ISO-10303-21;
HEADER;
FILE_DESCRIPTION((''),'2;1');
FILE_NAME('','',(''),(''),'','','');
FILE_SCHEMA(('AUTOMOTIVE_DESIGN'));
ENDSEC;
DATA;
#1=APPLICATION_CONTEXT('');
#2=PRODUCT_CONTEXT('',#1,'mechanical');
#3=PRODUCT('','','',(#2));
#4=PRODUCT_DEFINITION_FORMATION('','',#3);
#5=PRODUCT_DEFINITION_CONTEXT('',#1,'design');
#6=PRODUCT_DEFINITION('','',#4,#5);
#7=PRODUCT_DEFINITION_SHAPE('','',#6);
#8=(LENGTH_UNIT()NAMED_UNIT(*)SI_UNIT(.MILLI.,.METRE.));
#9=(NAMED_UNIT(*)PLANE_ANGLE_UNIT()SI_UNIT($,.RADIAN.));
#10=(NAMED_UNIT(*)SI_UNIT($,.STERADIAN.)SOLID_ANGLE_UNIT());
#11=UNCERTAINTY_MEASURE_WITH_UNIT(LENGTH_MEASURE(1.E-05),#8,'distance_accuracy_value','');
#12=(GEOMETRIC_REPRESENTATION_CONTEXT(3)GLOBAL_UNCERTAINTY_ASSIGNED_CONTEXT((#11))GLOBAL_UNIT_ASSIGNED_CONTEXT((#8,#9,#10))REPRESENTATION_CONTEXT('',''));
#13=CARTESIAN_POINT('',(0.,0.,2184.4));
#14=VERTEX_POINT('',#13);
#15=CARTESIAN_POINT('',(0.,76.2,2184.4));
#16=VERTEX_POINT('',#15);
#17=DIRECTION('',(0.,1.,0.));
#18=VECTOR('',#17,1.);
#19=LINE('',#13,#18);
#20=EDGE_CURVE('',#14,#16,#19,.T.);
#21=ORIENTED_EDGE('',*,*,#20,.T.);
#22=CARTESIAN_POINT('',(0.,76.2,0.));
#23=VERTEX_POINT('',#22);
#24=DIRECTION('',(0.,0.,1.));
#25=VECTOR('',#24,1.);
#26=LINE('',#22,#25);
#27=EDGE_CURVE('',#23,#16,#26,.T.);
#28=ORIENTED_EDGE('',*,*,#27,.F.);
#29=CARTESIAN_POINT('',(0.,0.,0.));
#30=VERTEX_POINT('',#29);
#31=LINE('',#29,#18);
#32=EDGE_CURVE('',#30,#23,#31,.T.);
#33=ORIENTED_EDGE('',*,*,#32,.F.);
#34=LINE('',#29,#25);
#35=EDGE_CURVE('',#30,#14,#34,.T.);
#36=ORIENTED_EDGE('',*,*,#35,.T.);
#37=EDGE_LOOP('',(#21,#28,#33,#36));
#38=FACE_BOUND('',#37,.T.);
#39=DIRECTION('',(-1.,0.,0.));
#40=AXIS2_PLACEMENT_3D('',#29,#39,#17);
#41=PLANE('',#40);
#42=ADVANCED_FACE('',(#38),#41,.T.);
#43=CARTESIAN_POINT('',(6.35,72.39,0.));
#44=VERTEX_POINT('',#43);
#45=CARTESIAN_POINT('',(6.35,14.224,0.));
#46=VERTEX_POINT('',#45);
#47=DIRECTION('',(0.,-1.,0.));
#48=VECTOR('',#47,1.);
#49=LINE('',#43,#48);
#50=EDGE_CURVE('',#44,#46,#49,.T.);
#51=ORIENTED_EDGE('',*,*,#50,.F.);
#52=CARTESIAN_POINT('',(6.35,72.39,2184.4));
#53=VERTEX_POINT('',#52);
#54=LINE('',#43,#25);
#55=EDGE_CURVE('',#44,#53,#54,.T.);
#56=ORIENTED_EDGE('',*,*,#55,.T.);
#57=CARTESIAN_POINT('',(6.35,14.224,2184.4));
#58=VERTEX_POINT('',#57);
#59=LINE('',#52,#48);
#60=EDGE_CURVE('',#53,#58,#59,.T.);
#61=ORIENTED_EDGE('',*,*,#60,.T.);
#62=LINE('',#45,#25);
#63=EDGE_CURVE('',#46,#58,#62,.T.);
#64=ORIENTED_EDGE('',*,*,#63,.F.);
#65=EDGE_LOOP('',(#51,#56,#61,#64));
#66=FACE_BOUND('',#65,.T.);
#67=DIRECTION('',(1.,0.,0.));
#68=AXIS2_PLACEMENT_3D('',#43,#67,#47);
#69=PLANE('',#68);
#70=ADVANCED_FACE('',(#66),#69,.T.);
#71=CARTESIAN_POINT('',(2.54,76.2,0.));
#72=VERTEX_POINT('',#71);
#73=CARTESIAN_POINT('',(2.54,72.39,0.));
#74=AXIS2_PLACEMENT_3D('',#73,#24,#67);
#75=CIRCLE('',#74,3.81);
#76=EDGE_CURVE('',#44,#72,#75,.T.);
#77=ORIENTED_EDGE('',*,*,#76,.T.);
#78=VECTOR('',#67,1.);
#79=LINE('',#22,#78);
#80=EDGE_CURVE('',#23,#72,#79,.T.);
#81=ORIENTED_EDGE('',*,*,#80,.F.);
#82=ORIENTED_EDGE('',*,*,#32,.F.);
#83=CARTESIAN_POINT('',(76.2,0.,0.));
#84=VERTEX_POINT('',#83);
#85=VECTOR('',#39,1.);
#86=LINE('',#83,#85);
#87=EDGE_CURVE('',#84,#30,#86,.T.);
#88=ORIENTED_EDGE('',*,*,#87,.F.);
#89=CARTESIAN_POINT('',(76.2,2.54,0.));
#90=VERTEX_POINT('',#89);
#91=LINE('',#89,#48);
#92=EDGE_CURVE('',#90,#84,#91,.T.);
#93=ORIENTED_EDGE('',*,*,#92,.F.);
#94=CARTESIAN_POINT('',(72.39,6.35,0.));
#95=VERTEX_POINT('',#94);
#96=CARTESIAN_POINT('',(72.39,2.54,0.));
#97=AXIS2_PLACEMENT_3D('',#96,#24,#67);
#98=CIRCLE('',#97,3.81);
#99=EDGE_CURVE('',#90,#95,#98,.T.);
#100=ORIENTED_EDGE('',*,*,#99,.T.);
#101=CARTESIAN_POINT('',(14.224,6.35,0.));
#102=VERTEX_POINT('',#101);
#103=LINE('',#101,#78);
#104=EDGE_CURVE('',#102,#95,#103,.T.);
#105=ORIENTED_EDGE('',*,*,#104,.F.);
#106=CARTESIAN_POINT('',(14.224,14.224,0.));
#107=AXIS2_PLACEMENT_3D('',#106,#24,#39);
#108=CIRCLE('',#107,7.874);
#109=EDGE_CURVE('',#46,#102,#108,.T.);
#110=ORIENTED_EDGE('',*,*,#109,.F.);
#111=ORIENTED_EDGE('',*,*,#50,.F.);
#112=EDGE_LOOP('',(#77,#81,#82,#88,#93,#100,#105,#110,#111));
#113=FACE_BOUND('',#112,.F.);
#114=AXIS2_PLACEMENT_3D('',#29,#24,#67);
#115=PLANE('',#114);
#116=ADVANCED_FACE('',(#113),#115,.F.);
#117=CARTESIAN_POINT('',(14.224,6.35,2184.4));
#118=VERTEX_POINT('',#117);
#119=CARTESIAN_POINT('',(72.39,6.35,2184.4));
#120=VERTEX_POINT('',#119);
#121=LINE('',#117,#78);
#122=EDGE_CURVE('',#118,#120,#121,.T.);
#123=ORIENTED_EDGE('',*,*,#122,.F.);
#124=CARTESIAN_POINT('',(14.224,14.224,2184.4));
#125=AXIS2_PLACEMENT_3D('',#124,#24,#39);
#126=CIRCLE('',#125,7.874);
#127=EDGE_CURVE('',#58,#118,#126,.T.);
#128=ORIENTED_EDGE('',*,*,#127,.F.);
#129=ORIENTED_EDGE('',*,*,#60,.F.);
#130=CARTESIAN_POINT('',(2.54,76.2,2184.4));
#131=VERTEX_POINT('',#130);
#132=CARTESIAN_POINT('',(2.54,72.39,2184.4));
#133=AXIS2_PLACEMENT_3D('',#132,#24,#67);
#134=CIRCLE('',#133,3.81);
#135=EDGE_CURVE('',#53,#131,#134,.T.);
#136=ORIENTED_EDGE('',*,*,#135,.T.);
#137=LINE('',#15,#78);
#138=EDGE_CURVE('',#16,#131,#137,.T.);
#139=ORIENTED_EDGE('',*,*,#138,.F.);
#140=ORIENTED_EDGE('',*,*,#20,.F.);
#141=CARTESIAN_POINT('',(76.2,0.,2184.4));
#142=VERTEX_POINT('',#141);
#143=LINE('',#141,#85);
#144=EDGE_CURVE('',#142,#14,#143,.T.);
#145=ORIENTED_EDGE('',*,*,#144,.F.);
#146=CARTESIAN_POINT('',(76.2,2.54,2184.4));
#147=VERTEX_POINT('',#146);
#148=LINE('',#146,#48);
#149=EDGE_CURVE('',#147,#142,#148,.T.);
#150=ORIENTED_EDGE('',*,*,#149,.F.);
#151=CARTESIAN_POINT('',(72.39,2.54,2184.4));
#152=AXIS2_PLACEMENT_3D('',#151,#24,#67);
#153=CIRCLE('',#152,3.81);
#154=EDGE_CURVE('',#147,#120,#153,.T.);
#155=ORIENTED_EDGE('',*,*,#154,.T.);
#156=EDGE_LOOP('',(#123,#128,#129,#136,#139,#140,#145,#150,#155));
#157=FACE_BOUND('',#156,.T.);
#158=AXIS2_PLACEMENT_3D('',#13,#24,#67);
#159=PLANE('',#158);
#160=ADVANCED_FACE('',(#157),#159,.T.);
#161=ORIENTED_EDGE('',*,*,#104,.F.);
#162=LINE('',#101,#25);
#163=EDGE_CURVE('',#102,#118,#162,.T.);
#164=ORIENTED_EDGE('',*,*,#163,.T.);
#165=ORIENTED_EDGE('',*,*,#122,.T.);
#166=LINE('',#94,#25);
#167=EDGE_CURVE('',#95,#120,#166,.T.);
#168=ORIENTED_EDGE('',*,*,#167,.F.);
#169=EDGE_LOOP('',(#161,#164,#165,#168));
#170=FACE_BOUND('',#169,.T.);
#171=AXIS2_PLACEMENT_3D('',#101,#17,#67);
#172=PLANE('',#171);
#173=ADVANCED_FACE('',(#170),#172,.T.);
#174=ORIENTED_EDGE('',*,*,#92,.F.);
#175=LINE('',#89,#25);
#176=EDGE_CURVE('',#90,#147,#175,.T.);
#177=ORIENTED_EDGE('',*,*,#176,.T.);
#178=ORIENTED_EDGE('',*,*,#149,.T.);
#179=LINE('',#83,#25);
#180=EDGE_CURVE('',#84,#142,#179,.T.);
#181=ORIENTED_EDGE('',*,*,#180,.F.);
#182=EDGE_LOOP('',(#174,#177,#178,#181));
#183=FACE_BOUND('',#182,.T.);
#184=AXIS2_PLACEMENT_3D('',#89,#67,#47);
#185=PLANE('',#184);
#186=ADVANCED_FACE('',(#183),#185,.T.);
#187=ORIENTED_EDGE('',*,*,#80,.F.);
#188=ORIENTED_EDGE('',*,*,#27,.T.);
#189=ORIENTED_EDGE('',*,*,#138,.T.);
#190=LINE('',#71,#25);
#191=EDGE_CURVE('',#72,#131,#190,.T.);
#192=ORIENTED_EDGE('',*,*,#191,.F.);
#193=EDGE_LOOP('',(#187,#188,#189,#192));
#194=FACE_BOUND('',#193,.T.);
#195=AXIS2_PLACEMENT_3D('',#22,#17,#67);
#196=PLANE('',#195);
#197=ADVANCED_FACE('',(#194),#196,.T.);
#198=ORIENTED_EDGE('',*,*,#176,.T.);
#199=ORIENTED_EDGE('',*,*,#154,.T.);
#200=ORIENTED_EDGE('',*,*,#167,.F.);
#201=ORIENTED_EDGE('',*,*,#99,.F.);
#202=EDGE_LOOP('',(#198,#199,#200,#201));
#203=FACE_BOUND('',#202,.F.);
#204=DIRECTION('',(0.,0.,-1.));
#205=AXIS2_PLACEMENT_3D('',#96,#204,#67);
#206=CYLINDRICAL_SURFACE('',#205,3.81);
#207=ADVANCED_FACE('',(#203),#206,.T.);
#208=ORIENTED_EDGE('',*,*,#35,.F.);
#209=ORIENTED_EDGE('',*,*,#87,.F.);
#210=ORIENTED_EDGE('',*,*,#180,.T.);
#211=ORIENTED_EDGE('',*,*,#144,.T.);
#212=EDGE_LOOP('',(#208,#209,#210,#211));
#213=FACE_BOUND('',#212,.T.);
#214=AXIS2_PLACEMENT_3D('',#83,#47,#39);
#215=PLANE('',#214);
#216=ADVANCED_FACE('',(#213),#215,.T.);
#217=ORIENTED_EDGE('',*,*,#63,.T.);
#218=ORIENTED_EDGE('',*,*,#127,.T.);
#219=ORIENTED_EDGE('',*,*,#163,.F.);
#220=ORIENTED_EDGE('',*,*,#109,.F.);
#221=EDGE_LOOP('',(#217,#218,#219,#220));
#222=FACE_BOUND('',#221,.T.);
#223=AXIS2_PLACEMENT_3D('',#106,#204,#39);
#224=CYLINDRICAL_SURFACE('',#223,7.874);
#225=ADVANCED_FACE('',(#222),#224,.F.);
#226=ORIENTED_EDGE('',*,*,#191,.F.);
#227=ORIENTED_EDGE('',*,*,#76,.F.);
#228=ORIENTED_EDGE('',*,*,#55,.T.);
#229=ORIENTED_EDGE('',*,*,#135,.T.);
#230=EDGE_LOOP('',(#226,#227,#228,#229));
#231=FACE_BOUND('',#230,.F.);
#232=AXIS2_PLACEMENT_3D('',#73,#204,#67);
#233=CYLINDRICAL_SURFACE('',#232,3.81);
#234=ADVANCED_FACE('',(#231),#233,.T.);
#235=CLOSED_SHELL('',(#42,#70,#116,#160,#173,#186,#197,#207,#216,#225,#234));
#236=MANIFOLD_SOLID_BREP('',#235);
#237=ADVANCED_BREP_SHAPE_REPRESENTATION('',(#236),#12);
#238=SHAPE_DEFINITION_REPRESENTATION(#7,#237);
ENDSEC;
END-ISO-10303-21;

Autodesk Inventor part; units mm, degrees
ref_plane "YZ Plane" through (0, 0, 0) normal (1, 0, 0) x (0, 1, 0)
ref_plane "Start plane" through (0, 0, 0) normal (0, 0, 1) x (1, 0, 0)
ref_plane "End plane" through (0, 0, 2184.4) normal (0, 0, 1) x (1, 0, 0)
sketch "Sketch" plane through (0, 0, 0) normal (0, 0, 1) x (1, 0, 0)
  line L0 (76.2, 0) -> (0, 0)
  line L1 (0, 0) -> (0, 76.2)
  line L2 (0, 76.2) -> (2.54, 76.2)
  line L3 (6.35, 72.39) -> (6.35, 14.224)
  line L4 (14.224, 6.35) -> (72.39, 6.35)
  line L5 (76.2, 2.54) -> (76.2, 0)
  line L6 (0, -11.0414) -> (0, 31.5385) construction
  line L7 (-11.0414, 0) -> (31.5385, 0) construction
  arc A0 (6.35, 14.224) -> (14.224, 6.35) centre (14.224, 14.224) ccw
  arc A1 (6.35, 72.39) -> (2.54, 76.2) centre (2.54, 72.39) ccw
  arc A2 (76.2, 2.54) -> (72.39, 6.35) centre (72.39, 2.54) ccw
  line L8 (0, 94.5952) -> (0, -28.6475) construction
  line L9 (-28.6475, 0) -> (94.5952, 0) construction
  point P0 (6.35, 76.2)
  point P1 (6.35, 6.35)
  point P2 (76.2, 6.35)
  dimension "d0" = 76.2
  dimension "d1" = 76.2
  dimension "d2" = 6.35
  dimension "d3" = 6.35
  dimension "d10" = 0
  dimension "d11" = 0
  dimension "d14" = 7.874
  dimension "d15" = 3.81
extrude "Body" add sketch "Sketch" along normal up to surface (2184.4 mm away) from surface at 0
sketch "Sketch3" plane through (0, 0, 0) normal (0, 0, 1) x (1, 0, 0)
  line L0 (0, 0) -> (10, 0)
ref_plane "Work Plane3" through (0, 0, 0) normal (0, -1, 0) x (1, 0, 0)
sketch "Sketch4" plane through (0, 0, 0) normal (0, -1, 0) x (1, 0, 0)
  line L0 (-2, 0) -> (12, 0)
  line L1 (-2, 2184.4) -> (12, 2184.4)
  dimension "d17" = 2184.4
equation "\"d0\" = G_H"
equation "\"d1\" = G_H"
equation "\"d2\" = G_T"
equation "\"d3\" = G_T"
equation "\"d14\" = G_IR"
equation "\"d15\" = G_ER"
equation "\"d4\" = G_L"
equation "\"G_H\" = 76.2"
equation "\"G_T\" = 6.35"
equation "\"G_ER\" = 3.81"
equation "\"G_IR\" = 7.874"
equation "\"G_L\" = d17"
equation "\"ex\" = 0"
equation "\"G_OFFSET_START\" = 0"
equation "\"G_OFFSET_END\" = 0"
equation "\"d13\" = G_OFFSET_END + B_L"
equation "\"B_L\" = 2184.4"
properties part number "AISC - L 3 x 3 x 1/4 - 86" material "Aluminum 6061"
